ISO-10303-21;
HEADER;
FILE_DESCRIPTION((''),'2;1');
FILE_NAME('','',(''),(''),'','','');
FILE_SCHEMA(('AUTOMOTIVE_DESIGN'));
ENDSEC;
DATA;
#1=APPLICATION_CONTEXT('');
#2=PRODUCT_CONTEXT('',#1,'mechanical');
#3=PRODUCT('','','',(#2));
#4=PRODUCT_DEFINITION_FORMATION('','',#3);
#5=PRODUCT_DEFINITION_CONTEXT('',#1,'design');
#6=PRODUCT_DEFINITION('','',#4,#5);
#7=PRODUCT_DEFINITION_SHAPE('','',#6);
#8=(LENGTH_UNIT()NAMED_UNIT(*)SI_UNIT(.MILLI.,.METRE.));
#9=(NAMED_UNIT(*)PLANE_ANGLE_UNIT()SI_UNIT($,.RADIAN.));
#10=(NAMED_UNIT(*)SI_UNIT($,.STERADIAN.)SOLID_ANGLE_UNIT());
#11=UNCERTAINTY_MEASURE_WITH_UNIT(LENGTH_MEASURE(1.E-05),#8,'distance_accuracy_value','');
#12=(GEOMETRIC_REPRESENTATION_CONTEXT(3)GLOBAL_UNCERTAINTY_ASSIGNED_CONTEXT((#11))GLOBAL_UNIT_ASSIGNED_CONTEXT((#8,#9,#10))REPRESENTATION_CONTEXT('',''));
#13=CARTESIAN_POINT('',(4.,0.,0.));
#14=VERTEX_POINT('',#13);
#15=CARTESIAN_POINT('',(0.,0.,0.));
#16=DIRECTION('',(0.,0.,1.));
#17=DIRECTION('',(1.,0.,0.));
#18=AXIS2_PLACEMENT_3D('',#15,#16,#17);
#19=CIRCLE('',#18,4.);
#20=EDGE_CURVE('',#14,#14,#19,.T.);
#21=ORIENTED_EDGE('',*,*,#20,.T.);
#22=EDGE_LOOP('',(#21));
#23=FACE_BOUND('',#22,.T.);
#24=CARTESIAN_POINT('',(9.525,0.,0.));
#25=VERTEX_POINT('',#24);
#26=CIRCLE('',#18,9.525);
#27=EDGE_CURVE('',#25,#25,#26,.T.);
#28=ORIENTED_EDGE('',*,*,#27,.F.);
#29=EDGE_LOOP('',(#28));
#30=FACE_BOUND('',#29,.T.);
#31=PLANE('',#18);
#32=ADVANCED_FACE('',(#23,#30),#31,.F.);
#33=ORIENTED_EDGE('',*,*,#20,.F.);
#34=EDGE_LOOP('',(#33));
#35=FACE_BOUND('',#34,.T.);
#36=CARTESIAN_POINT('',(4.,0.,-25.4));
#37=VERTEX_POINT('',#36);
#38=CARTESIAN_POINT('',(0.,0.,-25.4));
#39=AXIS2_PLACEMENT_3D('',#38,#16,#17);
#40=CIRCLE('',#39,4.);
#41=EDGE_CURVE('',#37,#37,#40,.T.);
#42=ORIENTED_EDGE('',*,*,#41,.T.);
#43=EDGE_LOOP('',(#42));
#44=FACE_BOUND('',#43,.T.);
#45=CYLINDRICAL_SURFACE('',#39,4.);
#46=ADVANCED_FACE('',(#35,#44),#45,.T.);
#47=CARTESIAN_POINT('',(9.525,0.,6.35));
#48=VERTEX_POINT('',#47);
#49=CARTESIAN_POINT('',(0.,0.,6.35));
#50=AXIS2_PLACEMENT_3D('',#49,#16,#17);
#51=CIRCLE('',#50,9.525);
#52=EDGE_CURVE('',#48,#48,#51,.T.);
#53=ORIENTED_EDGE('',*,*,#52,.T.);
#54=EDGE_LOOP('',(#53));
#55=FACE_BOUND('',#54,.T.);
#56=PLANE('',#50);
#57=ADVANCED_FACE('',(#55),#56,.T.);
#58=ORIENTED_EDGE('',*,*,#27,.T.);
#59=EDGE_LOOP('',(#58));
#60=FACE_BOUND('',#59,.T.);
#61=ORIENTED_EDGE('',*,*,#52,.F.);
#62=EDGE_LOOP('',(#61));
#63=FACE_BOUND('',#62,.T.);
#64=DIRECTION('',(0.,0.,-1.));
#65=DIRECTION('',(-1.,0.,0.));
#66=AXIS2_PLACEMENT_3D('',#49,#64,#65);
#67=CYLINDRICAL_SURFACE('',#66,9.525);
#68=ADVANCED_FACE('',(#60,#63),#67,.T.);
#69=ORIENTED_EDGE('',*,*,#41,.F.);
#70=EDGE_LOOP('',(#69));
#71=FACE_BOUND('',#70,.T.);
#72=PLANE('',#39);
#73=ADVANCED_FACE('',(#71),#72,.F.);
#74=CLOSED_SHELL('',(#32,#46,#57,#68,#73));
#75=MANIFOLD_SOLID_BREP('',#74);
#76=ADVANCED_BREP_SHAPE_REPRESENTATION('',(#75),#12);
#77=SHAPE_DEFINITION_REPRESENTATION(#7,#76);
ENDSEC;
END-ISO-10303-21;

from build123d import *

# Parameters (mm, degrees)
SKETCH1_R           = 9.525
BOSS_EXTRUDE1_DEPTH = 6.35
SKETCH2_R           = 4
BOSS_EXTRUDE2_DEPTH = 25.4


with BuildPart() as part:
    # Sketch1 → Boss-Extrude1 (new body)
    with BuildSketch(Plane.XY):
        Circle(SKETCH1_R)
    extrude(amount=BOSS_EXTRUDE1_DEPTH)

    # Sketch2 → Boss-Extrude2 (add)
    with BuildSketch(Plane.XY):
        Circle(SKETCH2_R)
    extrude(amount=-BOSS_EXTRUDE2_DEPTH)


solid = part.part
